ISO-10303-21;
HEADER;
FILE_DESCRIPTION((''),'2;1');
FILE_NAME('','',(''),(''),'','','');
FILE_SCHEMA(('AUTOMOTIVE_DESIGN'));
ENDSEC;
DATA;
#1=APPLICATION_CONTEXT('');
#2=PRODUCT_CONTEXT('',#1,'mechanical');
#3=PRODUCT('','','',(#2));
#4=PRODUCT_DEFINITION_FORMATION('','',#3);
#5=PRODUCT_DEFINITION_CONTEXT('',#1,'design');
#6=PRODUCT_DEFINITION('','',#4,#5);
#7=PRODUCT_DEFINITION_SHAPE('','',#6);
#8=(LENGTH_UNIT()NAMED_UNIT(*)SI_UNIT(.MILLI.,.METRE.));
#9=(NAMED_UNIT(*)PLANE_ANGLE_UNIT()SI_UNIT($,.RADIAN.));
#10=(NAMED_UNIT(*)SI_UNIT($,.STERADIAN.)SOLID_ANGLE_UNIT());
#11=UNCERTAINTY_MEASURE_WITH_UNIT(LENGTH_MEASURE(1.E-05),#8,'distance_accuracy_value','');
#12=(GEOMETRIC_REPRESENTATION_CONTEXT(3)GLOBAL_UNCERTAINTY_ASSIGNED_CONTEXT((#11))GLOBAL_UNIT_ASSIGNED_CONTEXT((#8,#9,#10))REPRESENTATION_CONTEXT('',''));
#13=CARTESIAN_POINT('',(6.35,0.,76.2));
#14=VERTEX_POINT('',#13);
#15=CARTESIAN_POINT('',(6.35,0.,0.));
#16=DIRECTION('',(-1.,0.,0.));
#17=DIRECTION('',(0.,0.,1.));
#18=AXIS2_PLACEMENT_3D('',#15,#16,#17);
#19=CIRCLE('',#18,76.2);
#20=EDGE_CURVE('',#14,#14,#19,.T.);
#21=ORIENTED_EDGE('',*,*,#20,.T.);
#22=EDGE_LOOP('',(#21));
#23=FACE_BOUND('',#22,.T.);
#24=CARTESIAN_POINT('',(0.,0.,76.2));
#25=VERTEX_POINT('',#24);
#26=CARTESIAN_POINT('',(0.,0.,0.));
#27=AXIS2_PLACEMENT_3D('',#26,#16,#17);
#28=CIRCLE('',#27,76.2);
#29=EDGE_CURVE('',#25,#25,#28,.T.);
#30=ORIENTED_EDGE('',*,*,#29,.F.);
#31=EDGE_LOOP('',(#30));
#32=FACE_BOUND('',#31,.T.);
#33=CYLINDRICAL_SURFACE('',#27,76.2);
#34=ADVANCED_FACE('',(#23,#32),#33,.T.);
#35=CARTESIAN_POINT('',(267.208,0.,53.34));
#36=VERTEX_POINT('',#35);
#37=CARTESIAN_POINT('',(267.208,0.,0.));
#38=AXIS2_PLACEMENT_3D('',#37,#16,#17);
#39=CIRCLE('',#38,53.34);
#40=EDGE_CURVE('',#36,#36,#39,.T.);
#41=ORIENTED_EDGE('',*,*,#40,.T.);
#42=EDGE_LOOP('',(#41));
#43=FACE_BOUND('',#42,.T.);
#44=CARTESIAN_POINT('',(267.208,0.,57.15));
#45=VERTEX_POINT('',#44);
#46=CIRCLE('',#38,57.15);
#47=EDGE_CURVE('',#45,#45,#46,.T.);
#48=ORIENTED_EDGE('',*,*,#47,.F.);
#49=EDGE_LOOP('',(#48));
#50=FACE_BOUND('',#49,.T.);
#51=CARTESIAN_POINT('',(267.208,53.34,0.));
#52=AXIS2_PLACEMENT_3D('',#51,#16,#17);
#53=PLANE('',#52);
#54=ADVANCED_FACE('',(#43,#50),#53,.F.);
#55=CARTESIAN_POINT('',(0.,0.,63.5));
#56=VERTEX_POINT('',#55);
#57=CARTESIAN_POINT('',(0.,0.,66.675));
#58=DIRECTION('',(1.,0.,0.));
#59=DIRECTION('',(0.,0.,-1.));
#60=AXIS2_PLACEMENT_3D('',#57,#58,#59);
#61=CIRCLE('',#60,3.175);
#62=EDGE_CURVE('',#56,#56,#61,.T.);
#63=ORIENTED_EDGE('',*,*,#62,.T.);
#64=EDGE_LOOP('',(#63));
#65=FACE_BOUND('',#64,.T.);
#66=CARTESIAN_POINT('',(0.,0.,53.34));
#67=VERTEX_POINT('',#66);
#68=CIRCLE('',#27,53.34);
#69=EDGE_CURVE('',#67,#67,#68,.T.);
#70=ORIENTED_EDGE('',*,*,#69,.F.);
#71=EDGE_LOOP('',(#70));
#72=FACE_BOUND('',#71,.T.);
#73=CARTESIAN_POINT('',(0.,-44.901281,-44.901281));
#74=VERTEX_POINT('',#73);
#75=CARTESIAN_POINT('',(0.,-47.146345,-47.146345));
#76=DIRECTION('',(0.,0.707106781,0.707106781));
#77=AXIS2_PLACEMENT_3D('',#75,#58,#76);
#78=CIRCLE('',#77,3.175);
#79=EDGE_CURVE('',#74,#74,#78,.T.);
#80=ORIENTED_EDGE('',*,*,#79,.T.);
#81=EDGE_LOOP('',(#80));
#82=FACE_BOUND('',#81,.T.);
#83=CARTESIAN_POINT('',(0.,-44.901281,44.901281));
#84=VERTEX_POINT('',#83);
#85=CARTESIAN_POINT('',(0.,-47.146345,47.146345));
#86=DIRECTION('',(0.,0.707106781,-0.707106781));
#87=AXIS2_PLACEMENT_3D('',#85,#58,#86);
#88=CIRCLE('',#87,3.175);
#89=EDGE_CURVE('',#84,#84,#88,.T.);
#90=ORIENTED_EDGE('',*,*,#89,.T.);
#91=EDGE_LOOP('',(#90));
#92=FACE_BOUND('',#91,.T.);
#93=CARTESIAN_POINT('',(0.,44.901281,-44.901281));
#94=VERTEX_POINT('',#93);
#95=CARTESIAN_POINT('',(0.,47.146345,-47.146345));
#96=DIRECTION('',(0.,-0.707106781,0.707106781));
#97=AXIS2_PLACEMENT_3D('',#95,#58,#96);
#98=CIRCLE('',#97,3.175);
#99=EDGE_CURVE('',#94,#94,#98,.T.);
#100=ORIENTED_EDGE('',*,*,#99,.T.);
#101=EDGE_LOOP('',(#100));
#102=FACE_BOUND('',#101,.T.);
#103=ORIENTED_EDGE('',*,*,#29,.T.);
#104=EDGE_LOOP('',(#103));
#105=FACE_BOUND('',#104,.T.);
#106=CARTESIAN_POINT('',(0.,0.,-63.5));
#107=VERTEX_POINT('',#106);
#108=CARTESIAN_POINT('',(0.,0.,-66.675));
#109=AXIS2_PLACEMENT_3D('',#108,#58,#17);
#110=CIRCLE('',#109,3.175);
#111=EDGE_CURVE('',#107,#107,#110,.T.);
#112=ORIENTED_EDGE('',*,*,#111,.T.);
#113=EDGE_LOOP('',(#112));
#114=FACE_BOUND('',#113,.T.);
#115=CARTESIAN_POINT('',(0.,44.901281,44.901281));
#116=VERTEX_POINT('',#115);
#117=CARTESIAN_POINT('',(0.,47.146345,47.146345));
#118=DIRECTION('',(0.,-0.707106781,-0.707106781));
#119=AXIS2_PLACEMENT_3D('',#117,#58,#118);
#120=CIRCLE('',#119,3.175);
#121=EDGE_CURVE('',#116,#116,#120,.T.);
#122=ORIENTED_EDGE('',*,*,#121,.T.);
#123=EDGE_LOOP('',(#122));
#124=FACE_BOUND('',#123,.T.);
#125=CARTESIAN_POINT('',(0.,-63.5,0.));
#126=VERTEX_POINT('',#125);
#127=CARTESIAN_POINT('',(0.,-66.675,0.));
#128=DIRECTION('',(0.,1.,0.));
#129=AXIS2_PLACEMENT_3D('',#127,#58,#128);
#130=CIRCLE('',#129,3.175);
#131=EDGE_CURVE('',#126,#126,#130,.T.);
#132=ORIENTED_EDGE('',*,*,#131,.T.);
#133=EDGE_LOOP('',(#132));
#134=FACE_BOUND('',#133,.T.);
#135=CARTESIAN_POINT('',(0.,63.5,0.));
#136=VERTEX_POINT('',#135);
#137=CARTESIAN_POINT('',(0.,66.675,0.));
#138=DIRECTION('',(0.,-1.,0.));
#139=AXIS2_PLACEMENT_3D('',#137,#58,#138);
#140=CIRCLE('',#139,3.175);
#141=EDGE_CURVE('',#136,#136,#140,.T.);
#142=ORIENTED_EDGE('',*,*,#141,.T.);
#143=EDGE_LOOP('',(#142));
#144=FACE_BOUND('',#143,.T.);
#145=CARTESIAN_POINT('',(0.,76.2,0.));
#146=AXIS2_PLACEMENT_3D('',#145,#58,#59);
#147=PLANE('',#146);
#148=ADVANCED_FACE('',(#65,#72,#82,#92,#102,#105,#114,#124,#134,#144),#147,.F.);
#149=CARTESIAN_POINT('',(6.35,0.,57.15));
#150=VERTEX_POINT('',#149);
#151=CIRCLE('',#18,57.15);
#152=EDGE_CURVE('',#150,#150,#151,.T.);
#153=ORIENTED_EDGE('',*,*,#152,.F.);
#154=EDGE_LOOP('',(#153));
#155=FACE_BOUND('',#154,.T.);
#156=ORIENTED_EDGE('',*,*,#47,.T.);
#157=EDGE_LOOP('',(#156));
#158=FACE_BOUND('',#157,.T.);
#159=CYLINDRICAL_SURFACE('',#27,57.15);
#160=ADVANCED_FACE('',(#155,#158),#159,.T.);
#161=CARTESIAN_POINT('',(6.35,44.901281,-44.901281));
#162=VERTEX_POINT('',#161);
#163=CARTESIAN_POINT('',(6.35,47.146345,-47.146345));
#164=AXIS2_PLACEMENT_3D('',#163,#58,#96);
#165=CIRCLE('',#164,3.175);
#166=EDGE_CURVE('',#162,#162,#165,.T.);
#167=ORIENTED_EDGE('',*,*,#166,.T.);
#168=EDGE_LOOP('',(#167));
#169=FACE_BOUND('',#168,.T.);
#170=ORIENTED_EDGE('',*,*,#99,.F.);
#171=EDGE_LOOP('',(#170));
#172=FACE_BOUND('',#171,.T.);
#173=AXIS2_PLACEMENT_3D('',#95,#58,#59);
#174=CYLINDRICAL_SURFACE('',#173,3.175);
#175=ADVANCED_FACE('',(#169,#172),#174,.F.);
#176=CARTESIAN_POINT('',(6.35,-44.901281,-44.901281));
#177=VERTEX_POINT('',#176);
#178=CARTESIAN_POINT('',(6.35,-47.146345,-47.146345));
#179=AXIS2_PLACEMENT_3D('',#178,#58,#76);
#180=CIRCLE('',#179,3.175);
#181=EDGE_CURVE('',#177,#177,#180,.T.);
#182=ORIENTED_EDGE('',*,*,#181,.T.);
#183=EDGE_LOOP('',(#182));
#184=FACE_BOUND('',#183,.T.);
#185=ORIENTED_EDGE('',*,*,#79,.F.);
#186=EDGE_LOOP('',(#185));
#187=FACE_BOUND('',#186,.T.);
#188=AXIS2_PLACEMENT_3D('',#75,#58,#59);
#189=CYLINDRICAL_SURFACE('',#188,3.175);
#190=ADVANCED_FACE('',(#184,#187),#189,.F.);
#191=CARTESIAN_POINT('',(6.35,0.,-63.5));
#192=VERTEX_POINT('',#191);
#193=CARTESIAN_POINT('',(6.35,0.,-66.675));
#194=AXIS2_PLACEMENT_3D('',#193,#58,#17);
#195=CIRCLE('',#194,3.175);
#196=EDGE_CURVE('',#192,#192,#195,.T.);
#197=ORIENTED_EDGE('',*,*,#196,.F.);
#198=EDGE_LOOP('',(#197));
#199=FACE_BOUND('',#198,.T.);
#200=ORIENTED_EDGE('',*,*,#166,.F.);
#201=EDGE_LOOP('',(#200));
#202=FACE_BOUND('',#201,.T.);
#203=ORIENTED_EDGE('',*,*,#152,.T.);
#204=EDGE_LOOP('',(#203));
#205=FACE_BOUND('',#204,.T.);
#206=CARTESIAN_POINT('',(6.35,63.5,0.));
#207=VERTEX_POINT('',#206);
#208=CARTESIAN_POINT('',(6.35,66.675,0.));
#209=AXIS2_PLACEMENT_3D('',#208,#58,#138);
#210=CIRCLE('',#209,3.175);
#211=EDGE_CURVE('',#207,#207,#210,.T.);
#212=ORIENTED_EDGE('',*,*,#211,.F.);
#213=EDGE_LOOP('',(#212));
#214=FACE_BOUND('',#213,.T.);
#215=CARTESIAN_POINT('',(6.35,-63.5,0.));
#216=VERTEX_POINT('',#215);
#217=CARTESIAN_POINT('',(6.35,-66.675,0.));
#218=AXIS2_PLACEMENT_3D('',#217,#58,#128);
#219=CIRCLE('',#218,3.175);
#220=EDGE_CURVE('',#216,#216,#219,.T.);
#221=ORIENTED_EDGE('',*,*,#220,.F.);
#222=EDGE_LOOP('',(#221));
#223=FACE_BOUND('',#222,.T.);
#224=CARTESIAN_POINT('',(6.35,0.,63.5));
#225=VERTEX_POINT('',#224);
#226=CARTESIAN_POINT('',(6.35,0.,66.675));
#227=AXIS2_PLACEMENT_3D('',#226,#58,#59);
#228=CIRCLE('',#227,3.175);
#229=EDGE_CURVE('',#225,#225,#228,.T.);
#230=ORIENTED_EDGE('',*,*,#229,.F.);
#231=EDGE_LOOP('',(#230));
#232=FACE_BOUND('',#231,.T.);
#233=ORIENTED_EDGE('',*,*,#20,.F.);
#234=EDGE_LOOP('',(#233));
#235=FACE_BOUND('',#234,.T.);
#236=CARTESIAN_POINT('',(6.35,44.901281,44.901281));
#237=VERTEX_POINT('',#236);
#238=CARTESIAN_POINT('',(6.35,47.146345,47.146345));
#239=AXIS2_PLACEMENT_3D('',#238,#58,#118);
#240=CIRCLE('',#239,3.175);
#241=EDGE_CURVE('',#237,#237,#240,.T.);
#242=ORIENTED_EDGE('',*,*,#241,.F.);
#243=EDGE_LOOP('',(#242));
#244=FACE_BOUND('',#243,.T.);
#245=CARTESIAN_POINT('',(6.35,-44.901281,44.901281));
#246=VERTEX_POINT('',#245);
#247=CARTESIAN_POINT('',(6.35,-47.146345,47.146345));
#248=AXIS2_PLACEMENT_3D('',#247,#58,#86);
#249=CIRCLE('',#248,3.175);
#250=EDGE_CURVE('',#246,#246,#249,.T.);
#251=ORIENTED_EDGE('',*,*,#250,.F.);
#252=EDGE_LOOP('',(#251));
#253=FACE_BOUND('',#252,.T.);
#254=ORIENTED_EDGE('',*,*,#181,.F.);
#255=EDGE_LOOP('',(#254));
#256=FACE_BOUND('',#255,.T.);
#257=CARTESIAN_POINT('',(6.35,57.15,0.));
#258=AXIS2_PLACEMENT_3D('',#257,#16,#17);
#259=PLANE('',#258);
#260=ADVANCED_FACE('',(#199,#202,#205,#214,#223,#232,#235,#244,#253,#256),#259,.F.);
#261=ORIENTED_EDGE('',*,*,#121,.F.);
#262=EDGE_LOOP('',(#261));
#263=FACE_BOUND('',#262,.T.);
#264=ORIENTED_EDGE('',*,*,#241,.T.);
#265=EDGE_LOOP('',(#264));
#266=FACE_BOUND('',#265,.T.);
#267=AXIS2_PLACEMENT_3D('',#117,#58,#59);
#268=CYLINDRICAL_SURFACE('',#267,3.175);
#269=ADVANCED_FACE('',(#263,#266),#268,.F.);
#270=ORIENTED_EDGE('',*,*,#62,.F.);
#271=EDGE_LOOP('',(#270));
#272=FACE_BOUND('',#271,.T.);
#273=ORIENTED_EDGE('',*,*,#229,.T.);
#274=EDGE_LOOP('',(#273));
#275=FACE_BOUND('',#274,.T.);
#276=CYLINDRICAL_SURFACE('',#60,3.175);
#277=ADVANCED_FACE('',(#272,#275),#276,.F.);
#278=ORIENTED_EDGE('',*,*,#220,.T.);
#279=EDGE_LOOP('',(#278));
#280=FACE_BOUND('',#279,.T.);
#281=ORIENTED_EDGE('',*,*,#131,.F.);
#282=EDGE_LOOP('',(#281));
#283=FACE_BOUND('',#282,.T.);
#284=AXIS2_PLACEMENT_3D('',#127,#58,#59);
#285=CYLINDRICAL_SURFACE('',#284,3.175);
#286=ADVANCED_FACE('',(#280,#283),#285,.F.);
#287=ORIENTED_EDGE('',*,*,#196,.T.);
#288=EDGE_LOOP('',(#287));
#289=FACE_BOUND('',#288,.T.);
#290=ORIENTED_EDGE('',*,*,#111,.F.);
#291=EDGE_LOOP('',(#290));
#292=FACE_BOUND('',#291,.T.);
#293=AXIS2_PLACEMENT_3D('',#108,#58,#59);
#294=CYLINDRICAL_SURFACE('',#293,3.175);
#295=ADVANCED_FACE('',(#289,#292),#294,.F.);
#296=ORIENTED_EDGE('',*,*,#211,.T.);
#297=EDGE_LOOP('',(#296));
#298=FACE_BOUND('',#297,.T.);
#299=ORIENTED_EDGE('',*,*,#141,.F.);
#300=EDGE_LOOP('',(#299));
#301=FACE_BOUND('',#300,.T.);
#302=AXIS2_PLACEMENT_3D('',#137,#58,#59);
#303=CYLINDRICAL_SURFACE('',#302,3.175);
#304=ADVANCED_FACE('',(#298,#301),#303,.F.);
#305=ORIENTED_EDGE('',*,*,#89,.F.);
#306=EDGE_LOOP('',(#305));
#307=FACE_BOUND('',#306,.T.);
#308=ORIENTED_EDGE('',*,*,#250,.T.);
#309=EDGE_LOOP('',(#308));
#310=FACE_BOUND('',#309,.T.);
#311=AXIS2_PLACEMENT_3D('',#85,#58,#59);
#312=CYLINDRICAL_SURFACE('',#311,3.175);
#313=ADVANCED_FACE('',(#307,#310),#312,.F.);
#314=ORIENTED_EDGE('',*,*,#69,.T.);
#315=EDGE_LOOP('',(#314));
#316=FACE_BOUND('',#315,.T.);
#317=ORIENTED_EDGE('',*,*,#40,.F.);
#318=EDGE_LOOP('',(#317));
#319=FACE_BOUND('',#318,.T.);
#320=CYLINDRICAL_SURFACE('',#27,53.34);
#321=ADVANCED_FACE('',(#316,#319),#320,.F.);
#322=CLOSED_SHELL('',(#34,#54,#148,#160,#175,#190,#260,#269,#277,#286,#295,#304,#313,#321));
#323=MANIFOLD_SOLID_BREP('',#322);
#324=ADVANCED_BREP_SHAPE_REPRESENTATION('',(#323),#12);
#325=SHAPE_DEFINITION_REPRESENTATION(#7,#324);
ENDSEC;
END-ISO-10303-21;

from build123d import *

# Parameters (mm, degrees)
SKETCH2_R          = 3.175
CUT_EXTRUDE1_DEPTH = 283.24063521
CIRPATTERN1_COUNT  = 8


with BuildPart() as part:
    # Sketch1 → Revolve1 (revolve)
    with BuildSketch(Plane.XY, mode=Mode.PRIVATE) as revolve1_sk:
        Polygon((0, 53.34), (267.208, 53.34), (267.208, 57.15), (6.35, 57.15), (6.35, 76.2), (0, 76.2), align=None)
    revolve(revolve1_sk.sketch.rotate(Axis((0, 0, 0), (1, 0, 0)), 90), axis=Axis((0, 0, 0), (1, 0, 0)))

    # Sketch2 → Cut-Extrude1 (cut, through all)
    with BuildSketch(Plane(origin=(6.35, 0, 0), x_dir=(0, 0, -1), z_dir=(1, 0, 0))):
        with Locations((-66.675, 0)):
            Circle(SKETCH2_R)
    cut_extrude1 = extrude(amount=-CUT_EXTRUDE1_DEPTH, mode=Mode.SUBTRACT)

    # CirPattern1: Cut-Extrude1 ×8 about axis
    cirpattern1_axis = Axis((0, 0, 0), (1, 0, 0))
    for i in range(1, CIRPATTERN1_COUNT):
        add(cut_extrude1.rotate(cirpattern1_axis, i * 360 / CIRPATTERN1_COUNT), mode=Mode.SUBTRACT)


solid = part.part
